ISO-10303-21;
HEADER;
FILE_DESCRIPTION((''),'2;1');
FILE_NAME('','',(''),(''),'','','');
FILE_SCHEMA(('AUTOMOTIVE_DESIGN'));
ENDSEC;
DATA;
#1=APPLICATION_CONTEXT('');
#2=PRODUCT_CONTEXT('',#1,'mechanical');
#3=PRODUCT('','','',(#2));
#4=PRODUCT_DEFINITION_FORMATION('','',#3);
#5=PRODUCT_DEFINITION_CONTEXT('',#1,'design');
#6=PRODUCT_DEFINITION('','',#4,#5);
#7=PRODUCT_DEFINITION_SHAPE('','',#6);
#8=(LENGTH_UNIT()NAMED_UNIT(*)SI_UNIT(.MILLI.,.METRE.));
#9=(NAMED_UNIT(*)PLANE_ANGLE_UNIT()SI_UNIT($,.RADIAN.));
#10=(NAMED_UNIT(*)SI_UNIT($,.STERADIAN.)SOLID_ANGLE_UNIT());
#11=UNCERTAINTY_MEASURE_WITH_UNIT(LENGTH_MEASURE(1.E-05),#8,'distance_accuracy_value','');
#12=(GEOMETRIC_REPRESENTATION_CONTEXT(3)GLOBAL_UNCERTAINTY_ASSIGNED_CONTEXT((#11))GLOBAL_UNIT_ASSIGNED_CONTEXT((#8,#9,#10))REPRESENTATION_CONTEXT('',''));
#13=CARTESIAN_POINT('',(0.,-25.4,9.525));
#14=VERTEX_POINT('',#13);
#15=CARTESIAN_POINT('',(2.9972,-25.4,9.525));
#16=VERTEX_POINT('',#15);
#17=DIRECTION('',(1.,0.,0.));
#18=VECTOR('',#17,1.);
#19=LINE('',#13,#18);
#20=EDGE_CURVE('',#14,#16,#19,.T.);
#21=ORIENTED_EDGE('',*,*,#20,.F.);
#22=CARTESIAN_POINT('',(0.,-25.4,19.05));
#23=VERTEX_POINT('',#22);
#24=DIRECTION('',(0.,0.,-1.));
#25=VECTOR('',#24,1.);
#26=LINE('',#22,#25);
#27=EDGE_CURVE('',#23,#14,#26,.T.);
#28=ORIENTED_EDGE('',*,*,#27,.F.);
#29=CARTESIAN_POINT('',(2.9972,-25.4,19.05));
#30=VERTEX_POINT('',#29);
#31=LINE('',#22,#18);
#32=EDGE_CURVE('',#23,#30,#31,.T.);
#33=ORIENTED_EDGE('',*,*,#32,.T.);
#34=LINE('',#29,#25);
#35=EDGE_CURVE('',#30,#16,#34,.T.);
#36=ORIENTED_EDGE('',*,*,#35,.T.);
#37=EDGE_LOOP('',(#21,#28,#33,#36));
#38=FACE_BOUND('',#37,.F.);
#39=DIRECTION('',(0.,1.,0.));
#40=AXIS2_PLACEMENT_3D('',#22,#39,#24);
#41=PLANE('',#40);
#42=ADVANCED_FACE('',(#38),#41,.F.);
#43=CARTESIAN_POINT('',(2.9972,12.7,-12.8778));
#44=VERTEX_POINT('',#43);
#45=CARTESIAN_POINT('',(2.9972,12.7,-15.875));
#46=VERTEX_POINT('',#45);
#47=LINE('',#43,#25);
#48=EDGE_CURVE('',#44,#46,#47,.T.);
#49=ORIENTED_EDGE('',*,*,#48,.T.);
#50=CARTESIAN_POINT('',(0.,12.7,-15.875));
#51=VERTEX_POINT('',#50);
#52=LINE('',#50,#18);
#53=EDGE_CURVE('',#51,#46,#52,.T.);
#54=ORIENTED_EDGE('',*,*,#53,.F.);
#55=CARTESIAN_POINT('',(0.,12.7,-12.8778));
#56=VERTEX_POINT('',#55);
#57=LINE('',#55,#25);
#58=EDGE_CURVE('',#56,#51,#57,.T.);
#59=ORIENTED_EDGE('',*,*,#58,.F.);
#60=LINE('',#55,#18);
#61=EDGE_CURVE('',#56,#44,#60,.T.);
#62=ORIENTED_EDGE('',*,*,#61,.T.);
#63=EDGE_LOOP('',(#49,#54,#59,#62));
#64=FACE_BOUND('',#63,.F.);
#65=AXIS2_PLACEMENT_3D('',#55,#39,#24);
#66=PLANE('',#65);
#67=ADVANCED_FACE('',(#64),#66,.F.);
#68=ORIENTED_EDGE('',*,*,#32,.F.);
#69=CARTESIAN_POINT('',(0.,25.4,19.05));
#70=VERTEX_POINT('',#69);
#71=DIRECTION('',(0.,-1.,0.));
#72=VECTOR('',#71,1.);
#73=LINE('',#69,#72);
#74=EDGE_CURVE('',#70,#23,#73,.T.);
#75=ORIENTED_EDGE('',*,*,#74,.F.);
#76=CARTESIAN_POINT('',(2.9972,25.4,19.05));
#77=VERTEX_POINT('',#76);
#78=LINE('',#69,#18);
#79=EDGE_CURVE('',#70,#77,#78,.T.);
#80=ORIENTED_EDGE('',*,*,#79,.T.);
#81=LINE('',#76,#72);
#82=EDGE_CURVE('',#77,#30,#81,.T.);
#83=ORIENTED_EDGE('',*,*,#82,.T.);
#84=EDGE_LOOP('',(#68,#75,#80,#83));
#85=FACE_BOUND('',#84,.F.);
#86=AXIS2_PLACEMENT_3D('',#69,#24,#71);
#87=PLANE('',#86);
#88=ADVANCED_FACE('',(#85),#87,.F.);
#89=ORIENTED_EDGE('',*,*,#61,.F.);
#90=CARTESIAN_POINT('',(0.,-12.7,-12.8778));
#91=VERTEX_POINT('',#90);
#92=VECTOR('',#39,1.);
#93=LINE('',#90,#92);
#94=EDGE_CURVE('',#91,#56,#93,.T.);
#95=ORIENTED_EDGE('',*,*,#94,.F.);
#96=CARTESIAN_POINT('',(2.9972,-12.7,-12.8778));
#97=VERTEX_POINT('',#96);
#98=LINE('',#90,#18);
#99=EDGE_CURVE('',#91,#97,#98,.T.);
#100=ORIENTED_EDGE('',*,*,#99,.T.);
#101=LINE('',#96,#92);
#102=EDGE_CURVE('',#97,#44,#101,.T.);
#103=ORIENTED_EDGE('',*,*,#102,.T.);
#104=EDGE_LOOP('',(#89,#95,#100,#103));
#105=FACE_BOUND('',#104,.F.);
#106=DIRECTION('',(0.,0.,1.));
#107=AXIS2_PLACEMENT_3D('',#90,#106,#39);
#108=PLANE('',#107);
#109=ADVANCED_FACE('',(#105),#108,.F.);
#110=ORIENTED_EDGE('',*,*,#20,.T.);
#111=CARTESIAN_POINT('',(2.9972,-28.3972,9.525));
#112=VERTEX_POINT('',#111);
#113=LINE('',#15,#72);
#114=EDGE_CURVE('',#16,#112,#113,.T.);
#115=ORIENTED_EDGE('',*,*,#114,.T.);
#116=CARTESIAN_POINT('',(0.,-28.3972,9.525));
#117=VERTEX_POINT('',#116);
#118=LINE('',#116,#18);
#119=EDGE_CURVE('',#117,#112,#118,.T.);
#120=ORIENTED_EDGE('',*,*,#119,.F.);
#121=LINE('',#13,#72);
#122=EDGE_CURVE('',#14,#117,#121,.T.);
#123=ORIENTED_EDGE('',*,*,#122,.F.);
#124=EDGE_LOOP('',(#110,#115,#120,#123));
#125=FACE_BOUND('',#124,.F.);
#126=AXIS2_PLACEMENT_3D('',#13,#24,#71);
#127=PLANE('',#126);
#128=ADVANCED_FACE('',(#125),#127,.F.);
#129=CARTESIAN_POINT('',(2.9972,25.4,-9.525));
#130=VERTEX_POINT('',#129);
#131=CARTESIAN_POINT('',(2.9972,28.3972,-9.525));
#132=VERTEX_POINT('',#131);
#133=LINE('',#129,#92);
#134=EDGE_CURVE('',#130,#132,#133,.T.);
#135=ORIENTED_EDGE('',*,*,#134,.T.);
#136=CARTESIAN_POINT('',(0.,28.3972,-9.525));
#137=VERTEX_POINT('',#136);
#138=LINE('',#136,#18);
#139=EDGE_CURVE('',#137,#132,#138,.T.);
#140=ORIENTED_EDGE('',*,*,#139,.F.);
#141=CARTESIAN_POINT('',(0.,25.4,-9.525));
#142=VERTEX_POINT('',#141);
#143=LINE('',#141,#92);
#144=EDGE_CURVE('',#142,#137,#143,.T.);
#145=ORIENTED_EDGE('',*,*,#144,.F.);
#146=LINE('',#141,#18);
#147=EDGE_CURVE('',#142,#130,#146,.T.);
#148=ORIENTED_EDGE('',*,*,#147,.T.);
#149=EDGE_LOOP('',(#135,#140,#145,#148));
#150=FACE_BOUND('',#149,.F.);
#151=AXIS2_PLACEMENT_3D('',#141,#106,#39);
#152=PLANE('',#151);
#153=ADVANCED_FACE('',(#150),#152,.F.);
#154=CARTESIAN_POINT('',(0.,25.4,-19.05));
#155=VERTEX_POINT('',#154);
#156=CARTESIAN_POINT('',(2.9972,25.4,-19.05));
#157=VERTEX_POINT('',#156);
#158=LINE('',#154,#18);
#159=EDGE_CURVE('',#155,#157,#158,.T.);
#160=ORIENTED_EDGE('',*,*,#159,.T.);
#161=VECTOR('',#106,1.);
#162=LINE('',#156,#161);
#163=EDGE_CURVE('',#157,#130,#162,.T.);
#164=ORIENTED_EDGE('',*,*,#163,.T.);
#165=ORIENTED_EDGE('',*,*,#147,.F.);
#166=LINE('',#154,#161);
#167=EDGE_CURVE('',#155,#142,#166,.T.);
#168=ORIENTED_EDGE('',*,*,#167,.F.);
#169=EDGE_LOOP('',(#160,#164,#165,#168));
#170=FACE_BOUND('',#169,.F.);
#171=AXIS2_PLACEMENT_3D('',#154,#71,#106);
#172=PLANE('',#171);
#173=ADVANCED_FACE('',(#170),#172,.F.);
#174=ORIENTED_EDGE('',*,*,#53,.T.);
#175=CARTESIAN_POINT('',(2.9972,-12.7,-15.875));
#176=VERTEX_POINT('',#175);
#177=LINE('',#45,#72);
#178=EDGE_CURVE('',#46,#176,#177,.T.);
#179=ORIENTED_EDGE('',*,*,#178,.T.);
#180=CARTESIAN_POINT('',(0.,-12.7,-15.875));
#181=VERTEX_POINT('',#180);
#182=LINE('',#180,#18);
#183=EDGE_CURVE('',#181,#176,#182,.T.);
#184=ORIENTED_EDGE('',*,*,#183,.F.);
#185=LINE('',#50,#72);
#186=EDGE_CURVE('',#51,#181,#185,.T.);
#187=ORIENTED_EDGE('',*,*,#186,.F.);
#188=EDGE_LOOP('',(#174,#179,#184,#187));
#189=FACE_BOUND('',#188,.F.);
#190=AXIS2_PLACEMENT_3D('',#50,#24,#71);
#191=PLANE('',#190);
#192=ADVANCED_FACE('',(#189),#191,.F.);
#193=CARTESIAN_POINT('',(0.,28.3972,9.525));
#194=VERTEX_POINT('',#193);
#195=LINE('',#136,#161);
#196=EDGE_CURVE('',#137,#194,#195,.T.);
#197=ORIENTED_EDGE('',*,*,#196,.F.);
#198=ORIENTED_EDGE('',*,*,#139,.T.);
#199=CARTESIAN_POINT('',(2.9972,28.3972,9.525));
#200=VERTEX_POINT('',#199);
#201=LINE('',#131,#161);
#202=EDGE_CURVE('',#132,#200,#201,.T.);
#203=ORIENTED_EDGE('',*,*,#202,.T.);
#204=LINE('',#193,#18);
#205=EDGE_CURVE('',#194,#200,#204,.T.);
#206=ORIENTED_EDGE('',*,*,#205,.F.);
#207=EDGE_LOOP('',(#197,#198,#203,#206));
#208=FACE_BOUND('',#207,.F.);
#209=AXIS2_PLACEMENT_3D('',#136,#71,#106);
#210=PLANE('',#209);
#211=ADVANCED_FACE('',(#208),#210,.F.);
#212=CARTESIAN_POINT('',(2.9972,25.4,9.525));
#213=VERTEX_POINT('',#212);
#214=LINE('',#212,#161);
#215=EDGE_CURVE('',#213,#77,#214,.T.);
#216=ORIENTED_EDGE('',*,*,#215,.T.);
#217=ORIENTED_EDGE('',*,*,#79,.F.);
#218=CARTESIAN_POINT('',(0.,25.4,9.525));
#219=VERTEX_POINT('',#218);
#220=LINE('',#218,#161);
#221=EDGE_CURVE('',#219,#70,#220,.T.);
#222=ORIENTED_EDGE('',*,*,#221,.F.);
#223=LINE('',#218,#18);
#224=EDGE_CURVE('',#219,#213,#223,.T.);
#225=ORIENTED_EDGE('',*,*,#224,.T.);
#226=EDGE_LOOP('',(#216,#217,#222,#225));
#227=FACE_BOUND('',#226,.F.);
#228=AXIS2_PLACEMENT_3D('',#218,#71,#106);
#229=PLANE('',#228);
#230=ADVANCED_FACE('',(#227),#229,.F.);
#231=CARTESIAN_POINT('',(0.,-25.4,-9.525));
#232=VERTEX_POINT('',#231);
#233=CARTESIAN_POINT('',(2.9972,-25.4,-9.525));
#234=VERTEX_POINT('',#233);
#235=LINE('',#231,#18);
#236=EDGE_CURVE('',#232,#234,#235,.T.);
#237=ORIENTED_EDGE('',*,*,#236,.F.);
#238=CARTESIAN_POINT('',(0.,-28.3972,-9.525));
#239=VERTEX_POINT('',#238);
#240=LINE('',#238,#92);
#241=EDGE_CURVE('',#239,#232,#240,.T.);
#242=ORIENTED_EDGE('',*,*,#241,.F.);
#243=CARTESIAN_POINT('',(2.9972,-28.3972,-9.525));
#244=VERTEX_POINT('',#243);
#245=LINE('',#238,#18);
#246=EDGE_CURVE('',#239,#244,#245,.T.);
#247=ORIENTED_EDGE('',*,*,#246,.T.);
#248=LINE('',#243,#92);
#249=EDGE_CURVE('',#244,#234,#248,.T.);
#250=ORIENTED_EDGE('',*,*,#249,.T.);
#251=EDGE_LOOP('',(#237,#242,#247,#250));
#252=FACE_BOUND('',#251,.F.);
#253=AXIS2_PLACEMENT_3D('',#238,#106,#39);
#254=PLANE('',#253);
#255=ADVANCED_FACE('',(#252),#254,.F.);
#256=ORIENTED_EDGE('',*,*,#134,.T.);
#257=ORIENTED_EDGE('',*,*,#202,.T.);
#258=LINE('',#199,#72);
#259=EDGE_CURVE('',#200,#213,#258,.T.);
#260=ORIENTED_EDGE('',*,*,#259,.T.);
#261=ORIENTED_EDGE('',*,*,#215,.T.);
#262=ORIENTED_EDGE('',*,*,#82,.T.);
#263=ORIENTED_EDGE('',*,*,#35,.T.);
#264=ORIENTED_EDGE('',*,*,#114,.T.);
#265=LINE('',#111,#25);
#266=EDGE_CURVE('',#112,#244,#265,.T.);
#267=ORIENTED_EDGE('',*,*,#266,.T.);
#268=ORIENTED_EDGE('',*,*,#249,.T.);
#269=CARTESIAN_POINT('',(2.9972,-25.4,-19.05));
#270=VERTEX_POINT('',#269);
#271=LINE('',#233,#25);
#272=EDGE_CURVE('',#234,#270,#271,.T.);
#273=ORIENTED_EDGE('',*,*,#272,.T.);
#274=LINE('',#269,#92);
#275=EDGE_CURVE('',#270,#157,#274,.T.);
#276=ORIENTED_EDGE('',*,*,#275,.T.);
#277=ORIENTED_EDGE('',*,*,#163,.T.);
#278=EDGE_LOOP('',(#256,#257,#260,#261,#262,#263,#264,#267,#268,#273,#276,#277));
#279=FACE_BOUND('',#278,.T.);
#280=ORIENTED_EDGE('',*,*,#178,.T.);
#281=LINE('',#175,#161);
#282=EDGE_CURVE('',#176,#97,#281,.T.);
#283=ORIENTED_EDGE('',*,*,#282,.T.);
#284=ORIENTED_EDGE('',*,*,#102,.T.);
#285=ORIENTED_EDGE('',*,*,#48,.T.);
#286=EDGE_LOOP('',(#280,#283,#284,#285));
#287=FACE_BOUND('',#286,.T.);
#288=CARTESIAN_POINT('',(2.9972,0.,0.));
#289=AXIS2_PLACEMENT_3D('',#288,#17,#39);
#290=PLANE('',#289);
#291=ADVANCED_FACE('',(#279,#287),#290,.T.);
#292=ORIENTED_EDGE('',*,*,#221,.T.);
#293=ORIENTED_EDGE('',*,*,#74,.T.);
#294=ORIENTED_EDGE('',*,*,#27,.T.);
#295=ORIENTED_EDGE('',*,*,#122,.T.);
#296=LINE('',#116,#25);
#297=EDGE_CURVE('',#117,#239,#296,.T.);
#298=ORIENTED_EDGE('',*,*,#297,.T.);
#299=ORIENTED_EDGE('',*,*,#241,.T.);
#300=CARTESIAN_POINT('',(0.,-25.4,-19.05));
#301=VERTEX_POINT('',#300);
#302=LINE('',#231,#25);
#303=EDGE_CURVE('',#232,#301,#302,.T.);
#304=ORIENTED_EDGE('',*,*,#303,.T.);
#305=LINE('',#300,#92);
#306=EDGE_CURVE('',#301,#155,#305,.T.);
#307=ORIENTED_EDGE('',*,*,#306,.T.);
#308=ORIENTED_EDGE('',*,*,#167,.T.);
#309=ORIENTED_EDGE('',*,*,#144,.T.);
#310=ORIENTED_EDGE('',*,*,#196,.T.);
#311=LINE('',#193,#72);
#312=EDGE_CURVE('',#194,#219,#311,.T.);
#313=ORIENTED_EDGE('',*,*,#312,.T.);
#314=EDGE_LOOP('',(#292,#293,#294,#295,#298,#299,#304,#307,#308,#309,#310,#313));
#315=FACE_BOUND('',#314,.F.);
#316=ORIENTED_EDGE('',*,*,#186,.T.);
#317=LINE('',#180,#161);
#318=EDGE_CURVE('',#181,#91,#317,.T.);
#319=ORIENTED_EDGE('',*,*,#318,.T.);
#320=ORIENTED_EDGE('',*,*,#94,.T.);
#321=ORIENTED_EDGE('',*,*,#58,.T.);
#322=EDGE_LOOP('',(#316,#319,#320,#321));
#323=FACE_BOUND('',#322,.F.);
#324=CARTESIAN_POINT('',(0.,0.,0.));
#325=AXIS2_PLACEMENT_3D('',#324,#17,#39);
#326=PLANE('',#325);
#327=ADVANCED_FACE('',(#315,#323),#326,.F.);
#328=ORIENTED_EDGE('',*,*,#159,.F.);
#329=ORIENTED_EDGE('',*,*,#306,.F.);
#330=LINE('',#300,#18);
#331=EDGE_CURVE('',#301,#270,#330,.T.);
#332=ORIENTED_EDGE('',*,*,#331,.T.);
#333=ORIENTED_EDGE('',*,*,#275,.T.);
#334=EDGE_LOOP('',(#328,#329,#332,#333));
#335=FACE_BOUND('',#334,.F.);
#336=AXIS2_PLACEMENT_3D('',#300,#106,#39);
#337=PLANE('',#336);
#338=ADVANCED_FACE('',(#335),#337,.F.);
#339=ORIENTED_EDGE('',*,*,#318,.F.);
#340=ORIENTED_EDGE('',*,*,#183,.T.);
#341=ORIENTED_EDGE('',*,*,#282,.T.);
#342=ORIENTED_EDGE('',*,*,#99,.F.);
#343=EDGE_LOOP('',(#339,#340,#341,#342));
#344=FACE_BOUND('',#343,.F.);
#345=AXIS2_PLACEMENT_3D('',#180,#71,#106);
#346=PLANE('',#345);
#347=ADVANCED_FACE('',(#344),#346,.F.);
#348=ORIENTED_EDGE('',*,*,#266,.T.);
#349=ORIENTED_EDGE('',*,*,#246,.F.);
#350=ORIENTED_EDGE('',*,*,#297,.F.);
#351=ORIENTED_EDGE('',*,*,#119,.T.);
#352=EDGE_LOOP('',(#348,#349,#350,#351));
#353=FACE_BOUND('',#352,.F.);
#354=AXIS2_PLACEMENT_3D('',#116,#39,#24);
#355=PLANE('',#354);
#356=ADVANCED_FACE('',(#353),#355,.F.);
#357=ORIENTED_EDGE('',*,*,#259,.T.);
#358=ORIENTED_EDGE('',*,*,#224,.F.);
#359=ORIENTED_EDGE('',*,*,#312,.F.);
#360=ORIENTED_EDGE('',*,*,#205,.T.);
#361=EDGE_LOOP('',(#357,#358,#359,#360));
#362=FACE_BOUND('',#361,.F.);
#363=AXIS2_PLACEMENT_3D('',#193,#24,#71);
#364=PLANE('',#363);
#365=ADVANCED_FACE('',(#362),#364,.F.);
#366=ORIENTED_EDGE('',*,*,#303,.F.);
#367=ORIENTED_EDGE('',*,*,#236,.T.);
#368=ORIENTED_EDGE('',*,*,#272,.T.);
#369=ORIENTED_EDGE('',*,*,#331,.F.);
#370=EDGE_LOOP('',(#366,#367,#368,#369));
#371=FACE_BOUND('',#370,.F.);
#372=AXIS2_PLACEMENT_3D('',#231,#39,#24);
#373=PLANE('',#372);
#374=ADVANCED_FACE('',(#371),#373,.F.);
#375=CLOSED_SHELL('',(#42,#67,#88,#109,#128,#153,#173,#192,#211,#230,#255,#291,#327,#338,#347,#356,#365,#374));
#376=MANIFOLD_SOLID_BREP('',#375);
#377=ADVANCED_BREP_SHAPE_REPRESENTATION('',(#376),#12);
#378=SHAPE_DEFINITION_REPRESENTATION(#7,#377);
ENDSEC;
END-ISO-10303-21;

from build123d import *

# Parameters (mm, degrees)
F1_DEPTH = 2.9972


with BuildPart() as f1:
    # F0 (on Right) → F1 (new body)
    with BuildSketch(Plane.YZ):
        Polygon((-25.4, 9.525), (-28.3972, 9.525), (-28.3972, -9.525), (-25.4, -9.525), (-25.4, -19.05), (0, -19.05), (25.4, -19.05), (25.4, -9.525), (28.3972, -9.525), (28.3972, 9.525), (25.4, 9.525), (25.4, 19.05), (0, 19.05), (-25.4, 19.05), align=None)
        Polygon((-12.7, -12.8778), (0, -12.8778), (12.7, -12.8778), (12.7, -15.875), (0, -15.875), (-12.7, -15.875), align=None, mode=Mode.SUBTRACT)
    extrude(amount=F1_DEPTH)


solid = f1.part
